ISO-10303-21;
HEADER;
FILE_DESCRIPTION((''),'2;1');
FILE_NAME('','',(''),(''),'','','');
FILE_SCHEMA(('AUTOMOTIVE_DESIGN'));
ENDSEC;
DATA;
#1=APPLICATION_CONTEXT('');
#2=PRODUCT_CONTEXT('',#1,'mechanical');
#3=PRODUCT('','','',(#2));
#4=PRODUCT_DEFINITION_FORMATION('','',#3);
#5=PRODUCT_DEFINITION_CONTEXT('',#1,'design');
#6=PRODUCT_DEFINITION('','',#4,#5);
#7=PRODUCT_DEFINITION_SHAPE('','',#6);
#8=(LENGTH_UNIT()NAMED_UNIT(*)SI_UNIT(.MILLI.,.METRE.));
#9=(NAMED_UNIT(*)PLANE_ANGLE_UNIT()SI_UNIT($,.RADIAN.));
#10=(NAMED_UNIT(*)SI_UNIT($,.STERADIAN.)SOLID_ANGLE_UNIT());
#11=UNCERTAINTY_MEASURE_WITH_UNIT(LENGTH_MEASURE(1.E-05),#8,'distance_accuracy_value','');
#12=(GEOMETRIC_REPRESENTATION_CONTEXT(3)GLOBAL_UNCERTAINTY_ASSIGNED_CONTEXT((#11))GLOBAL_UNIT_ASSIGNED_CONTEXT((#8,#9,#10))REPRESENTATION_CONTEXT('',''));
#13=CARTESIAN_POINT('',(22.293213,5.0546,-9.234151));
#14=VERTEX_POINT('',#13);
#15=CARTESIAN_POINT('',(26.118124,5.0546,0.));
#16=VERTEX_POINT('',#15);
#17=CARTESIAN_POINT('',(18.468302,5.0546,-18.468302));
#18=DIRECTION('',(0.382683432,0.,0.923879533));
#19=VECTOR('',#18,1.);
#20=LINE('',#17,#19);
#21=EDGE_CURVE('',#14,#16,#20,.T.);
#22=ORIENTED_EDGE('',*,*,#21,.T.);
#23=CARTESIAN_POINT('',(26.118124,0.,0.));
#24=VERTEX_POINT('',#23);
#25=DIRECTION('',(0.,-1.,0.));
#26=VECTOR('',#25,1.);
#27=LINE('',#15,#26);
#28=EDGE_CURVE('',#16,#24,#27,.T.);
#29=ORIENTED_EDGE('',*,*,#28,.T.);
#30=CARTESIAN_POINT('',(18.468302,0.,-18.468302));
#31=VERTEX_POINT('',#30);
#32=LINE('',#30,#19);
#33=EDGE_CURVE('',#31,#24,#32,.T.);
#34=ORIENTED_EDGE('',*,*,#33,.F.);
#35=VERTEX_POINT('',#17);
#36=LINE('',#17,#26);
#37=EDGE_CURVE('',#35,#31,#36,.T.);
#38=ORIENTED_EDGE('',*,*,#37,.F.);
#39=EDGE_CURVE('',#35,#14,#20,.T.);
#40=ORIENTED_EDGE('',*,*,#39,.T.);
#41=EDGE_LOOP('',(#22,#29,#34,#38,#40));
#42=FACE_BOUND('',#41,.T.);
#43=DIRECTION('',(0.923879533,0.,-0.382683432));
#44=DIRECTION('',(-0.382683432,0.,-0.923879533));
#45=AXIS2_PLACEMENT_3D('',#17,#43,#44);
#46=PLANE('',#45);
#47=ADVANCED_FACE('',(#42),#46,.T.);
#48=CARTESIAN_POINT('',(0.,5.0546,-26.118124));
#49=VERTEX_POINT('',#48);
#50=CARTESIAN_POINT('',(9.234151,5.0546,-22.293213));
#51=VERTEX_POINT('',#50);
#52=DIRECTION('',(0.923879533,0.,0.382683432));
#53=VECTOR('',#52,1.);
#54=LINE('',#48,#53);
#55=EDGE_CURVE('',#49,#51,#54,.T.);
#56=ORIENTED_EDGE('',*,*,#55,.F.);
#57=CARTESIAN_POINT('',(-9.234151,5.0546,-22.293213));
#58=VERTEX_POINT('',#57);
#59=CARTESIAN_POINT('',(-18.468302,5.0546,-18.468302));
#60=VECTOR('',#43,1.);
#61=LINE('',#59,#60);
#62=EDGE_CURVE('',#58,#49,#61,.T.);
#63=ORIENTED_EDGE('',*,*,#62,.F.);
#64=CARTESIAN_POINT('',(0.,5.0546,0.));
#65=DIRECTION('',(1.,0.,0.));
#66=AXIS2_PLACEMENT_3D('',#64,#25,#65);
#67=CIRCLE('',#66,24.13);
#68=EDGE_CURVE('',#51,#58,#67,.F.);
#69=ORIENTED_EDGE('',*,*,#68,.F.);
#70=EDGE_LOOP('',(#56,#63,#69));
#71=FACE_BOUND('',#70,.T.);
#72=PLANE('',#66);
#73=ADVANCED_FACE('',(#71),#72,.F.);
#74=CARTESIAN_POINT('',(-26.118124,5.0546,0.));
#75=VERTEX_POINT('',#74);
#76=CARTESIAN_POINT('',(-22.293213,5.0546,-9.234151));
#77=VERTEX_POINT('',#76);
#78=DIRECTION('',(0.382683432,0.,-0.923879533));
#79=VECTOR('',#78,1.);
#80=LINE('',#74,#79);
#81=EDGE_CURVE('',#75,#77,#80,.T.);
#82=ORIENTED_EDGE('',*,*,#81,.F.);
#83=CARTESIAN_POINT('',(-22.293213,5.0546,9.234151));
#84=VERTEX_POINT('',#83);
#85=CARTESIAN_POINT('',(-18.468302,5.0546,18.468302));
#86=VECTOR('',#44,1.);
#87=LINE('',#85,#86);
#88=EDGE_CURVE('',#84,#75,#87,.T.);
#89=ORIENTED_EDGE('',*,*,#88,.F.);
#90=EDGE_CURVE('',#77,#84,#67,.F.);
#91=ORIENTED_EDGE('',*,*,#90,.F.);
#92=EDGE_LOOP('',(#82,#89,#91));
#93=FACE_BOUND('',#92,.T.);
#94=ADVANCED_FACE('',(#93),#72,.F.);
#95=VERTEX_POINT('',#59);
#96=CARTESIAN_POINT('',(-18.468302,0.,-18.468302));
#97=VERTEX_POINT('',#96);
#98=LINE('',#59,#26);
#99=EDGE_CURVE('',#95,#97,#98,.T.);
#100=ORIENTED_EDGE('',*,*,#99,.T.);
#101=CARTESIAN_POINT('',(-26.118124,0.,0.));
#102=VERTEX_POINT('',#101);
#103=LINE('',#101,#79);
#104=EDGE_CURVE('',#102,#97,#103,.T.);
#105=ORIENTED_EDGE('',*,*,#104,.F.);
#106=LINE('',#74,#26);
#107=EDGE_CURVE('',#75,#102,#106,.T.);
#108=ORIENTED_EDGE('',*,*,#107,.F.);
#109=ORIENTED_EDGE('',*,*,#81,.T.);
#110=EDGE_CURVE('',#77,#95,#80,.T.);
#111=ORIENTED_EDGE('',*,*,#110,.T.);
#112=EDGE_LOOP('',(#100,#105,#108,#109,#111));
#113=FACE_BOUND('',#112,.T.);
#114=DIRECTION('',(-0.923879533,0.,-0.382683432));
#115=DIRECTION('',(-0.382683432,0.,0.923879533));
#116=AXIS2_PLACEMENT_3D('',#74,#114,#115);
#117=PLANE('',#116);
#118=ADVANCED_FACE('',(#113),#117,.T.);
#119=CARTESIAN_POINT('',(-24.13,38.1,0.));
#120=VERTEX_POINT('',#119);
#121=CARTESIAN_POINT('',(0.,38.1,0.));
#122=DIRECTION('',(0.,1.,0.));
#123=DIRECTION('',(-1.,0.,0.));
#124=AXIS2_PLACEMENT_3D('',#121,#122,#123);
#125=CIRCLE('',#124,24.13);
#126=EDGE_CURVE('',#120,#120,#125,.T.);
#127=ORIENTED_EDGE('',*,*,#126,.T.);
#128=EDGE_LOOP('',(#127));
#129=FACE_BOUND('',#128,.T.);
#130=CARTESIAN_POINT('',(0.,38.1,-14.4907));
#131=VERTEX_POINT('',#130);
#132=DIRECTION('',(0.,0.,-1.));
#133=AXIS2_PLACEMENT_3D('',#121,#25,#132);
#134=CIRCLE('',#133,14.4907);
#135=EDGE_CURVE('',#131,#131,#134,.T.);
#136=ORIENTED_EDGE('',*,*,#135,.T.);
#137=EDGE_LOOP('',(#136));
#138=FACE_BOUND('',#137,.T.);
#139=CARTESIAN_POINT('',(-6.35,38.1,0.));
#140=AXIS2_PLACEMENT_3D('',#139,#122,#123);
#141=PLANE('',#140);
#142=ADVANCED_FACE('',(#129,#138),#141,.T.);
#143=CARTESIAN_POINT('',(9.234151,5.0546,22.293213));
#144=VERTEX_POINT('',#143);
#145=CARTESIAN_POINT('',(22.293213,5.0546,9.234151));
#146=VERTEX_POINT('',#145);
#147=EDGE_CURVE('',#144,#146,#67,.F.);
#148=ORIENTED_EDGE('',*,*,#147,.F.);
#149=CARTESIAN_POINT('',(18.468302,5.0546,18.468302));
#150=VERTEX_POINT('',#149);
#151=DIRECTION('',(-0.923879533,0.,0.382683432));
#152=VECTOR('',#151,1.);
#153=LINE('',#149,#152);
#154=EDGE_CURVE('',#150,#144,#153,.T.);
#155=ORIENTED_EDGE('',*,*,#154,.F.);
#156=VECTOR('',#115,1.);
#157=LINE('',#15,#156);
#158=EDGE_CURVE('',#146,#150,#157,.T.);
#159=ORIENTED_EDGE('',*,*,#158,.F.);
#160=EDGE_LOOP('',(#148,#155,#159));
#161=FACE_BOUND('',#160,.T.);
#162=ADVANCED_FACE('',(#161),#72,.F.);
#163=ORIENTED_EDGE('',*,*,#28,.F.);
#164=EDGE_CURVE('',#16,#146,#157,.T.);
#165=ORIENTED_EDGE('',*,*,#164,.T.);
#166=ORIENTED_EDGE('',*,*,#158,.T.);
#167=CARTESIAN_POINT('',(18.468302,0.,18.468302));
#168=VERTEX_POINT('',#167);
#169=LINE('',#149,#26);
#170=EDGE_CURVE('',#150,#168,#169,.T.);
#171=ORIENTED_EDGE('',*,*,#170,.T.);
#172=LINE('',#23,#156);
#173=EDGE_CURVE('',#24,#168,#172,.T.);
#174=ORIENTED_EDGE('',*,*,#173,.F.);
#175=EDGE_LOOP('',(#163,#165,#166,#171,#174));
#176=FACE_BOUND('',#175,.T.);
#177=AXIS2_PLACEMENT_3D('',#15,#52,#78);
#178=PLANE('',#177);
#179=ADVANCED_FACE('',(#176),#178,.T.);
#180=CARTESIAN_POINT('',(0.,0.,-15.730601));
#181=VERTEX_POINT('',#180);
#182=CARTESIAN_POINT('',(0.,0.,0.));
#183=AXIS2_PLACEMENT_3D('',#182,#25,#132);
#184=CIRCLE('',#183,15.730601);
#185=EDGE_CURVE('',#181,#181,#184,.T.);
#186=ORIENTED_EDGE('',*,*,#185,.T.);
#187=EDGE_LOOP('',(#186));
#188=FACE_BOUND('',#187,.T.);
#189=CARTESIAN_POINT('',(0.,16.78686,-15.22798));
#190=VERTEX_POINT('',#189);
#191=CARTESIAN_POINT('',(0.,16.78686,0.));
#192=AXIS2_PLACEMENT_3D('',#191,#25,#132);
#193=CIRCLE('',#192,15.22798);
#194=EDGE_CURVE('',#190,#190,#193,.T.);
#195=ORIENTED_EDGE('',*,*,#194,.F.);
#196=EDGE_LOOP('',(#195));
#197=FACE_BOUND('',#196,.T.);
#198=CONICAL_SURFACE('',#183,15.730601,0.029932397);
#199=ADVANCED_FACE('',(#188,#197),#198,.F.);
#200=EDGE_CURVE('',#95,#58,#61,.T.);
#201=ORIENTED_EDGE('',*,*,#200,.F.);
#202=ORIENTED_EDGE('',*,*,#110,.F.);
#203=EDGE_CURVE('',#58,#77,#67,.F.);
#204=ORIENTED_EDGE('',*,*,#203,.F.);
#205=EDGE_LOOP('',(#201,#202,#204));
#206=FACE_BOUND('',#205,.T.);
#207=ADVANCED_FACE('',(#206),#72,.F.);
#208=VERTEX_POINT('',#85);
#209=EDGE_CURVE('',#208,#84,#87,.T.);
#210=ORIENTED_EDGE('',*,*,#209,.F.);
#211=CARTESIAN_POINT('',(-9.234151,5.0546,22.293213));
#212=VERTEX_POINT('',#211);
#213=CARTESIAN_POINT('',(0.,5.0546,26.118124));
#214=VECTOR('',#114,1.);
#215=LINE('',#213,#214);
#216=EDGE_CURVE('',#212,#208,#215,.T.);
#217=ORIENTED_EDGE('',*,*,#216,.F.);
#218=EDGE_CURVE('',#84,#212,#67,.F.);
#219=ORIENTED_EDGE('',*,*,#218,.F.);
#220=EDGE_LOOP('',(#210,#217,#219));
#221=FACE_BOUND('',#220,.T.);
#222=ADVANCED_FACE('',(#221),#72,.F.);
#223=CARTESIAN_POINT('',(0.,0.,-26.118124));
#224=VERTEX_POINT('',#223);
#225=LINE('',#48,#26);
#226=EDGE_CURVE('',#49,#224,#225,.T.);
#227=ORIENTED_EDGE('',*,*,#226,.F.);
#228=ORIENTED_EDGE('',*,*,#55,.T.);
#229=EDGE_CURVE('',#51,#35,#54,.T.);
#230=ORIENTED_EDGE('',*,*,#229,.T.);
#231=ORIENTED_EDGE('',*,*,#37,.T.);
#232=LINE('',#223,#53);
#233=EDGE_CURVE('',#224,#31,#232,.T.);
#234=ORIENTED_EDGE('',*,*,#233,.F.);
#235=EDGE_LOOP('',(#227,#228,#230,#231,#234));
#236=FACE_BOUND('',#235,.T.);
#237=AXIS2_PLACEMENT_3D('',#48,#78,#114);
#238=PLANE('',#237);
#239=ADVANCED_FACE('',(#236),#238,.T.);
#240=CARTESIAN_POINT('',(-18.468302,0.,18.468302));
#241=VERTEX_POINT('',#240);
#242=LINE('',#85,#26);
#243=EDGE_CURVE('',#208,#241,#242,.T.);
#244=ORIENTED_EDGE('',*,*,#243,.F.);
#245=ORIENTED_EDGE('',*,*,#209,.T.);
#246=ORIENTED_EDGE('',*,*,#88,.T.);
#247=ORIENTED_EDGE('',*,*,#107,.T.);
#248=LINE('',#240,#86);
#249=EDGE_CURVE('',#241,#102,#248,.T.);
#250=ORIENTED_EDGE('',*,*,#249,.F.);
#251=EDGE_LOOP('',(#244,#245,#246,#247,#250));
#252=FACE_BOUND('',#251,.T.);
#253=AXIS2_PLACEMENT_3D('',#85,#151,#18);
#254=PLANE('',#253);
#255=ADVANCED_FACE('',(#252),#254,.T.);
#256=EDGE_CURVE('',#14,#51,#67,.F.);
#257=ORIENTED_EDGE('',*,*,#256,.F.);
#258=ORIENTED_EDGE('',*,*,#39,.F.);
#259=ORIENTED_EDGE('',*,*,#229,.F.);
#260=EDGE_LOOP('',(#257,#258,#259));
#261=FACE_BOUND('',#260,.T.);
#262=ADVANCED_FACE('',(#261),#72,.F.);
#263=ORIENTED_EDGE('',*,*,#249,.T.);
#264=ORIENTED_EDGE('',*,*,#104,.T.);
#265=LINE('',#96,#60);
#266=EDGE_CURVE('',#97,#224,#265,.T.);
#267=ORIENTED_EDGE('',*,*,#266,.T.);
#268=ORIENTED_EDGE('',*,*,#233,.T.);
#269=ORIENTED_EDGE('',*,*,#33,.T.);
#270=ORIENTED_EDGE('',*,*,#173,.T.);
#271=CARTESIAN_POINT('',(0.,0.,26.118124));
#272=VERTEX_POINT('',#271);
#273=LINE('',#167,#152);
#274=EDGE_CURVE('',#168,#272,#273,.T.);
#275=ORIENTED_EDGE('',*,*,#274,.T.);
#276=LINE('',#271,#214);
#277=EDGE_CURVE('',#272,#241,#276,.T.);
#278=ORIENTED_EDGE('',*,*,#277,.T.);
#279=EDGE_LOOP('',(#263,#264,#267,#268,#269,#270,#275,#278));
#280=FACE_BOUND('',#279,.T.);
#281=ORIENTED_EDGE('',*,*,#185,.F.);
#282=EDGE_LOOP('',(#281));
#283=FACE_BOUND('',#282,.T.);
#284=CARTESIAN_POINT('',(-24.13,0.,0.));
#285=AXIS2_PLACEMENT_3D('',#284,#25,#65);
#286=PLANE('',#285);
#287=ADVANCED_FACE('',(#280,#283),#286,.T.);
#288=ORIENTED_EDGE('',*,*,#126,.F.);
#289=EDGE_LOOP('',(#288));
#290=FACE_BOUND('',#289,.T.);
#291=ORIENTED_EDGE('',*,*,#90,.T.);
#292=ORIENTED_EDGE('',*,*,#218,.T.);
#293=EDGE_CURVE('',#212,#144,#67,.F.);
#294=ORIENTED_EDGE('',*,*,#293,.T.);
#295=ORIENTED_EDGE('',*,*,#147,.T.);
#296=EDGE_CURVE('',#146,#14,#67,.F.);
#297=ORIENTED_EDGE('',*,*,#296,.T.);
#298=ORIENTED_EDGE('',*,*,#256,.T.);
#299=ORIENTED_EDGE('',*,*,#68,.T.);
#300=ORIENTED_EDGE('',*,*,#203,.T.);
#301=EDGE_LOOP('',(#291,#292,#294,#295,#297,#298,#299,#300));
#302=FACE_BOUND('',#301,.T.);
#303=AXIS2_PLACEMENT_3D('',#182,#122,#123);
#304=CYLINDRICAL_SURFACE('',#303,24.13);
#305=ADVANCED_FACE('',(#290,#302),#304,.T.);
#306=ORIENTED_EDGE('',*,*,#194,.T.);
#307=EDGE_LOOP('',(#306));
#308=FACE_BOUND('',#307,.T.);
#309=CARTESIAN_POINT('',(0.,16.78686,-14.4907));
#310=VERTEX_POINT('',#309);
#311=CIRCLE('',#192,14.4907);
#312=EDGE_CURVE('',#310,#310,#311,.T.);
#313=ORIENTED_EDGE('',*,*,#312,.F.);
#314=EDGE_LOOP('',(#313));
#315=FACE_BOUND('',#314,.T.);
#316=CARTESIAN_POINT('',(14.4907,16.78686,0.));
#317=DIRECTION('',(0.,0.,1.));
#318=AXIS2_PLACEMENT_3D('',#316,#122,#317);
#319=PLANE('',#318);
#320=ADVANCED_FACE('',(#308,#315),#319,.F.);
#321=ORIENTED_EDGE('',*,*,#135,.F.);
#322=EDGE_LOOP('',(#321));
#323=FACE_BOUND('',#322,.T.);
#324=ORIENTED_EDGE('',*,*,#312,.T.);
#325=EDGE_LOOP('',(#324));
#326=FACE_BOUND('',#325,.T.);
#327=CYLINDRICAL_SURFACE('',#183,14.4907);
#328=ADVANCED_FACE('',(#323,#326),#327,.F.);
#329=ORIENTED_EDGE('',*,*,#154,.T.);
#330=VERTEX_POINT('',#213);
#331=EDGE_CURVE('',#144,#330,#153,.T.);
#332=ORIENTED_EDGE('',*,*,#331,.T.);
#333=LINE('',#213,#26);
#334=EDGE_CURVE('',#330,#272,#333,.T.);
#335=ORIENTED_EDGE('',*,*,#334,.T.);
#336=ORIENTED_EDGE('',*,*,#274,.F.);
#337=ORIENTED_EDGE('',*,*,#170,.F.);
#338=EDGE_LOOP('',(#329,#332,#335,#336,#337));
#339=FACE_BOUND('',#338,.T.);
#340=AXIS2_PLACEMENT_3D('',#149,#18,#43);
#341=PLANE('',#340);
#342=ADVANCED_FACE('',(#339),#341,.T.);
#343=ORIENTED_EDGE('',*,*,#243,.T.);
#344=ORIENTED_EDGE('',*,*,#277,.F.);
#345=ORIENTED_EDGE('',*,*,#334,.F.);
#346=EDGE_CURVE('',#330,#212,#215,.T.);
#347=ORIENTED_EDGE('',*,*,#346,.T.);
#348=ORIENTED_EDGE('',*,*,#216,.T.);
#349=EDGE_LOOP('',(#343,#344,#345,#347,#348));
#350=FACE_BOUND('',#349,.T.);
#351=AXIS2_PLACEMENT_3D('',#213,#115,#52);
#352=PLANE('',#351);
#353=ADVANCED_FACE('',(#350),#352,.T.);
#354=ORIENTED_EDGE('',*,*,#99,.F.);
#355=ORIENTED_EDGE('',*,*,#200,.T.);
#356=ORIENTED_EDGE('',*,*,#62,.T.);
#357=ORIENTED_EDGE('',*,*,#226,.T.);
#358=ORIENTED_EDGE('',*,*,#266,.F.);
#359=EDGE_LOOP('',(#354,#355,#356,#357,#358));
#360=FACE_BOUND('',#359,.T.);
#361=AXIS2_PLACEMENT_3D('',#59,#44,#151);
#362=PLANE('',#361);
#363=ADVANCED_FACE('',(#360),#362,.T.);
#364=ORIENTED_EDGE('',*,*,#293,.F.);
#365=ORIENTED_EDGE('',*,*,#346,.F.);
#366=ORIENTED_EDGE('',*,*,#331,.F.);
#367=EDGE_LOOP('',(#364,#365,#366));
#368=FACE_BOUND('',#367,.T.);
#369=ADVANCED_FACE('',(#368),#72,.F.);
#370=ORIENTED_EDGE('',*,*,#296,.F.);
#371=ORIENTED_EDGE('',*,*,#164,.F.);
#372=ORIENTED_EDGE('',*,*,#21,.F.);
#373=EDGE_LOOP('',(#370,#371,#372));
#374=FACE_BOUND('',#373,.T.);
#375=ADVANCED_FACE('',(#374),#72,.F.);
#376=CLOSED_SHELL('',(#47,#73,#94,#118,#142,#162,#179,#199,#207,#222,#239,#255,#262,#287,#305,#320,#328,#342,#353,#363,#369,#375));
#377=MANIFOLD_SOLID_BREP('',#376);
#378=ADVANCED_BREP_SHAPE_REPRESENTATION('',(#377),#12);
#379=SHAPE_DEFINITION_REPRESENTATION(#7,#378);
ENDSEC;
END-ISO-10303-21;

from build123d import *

# Parameters (mm, degrees)
SKETCH1_W           = 17.78
SKETCH1_H           = 38.1
SKETCH2_R           = 6.35
BOSS_EXTRUDE1_DEPTH = 5.0546


with BuildPart() as part:
    # Sketch1 → Revolve1 (revolve)
    with BuildSketch(Plane.XY):
        with Locations((-15.24, 19.05)):
            Rectangle(SKETCH1_W, SKETCH1_H)
    revolve(axis=Axis((0, 0, 0), (0, -1, 0)))

    # Sketch2 → Boss-Extrude1 (add)
    with BuildSketch(Plane.XZ):
        Polygon((0, 26.118123793), (-18.468302446, 18.468302446), (-26.118123793, 0), (-18.468302446, -18.468302446), (0, -26.118123793), (18.468302446, -18.468302446), (26.118123793, 0), (18.468302446, 18.468302446), align=None)
        Circle(SKETCH2_R, mode=Mode.SUBTRACT)
    extrude(amount=-BOSS_EXTRUDE1_DEPTH)

    # Sketch4 → 1 NPT Tapped Hole1 (revolve, cut)
    with BuildSketch(Plane(origin=(0, 0, 0), x_dir=(0, 0, -1), z_dir=(1, 0, 0))):
        Polygon((0, 0), (0, 38.1), (14.4907, 38.1), (14.4907, 16.78686), (15.227979931, 16.78686), (15.730601, 0), align=None)
    revolve(axis=Axis((0, -6.35, 0), (0, 1, 0)), mode=Mode.SUBTRACT)


solid = part.part
